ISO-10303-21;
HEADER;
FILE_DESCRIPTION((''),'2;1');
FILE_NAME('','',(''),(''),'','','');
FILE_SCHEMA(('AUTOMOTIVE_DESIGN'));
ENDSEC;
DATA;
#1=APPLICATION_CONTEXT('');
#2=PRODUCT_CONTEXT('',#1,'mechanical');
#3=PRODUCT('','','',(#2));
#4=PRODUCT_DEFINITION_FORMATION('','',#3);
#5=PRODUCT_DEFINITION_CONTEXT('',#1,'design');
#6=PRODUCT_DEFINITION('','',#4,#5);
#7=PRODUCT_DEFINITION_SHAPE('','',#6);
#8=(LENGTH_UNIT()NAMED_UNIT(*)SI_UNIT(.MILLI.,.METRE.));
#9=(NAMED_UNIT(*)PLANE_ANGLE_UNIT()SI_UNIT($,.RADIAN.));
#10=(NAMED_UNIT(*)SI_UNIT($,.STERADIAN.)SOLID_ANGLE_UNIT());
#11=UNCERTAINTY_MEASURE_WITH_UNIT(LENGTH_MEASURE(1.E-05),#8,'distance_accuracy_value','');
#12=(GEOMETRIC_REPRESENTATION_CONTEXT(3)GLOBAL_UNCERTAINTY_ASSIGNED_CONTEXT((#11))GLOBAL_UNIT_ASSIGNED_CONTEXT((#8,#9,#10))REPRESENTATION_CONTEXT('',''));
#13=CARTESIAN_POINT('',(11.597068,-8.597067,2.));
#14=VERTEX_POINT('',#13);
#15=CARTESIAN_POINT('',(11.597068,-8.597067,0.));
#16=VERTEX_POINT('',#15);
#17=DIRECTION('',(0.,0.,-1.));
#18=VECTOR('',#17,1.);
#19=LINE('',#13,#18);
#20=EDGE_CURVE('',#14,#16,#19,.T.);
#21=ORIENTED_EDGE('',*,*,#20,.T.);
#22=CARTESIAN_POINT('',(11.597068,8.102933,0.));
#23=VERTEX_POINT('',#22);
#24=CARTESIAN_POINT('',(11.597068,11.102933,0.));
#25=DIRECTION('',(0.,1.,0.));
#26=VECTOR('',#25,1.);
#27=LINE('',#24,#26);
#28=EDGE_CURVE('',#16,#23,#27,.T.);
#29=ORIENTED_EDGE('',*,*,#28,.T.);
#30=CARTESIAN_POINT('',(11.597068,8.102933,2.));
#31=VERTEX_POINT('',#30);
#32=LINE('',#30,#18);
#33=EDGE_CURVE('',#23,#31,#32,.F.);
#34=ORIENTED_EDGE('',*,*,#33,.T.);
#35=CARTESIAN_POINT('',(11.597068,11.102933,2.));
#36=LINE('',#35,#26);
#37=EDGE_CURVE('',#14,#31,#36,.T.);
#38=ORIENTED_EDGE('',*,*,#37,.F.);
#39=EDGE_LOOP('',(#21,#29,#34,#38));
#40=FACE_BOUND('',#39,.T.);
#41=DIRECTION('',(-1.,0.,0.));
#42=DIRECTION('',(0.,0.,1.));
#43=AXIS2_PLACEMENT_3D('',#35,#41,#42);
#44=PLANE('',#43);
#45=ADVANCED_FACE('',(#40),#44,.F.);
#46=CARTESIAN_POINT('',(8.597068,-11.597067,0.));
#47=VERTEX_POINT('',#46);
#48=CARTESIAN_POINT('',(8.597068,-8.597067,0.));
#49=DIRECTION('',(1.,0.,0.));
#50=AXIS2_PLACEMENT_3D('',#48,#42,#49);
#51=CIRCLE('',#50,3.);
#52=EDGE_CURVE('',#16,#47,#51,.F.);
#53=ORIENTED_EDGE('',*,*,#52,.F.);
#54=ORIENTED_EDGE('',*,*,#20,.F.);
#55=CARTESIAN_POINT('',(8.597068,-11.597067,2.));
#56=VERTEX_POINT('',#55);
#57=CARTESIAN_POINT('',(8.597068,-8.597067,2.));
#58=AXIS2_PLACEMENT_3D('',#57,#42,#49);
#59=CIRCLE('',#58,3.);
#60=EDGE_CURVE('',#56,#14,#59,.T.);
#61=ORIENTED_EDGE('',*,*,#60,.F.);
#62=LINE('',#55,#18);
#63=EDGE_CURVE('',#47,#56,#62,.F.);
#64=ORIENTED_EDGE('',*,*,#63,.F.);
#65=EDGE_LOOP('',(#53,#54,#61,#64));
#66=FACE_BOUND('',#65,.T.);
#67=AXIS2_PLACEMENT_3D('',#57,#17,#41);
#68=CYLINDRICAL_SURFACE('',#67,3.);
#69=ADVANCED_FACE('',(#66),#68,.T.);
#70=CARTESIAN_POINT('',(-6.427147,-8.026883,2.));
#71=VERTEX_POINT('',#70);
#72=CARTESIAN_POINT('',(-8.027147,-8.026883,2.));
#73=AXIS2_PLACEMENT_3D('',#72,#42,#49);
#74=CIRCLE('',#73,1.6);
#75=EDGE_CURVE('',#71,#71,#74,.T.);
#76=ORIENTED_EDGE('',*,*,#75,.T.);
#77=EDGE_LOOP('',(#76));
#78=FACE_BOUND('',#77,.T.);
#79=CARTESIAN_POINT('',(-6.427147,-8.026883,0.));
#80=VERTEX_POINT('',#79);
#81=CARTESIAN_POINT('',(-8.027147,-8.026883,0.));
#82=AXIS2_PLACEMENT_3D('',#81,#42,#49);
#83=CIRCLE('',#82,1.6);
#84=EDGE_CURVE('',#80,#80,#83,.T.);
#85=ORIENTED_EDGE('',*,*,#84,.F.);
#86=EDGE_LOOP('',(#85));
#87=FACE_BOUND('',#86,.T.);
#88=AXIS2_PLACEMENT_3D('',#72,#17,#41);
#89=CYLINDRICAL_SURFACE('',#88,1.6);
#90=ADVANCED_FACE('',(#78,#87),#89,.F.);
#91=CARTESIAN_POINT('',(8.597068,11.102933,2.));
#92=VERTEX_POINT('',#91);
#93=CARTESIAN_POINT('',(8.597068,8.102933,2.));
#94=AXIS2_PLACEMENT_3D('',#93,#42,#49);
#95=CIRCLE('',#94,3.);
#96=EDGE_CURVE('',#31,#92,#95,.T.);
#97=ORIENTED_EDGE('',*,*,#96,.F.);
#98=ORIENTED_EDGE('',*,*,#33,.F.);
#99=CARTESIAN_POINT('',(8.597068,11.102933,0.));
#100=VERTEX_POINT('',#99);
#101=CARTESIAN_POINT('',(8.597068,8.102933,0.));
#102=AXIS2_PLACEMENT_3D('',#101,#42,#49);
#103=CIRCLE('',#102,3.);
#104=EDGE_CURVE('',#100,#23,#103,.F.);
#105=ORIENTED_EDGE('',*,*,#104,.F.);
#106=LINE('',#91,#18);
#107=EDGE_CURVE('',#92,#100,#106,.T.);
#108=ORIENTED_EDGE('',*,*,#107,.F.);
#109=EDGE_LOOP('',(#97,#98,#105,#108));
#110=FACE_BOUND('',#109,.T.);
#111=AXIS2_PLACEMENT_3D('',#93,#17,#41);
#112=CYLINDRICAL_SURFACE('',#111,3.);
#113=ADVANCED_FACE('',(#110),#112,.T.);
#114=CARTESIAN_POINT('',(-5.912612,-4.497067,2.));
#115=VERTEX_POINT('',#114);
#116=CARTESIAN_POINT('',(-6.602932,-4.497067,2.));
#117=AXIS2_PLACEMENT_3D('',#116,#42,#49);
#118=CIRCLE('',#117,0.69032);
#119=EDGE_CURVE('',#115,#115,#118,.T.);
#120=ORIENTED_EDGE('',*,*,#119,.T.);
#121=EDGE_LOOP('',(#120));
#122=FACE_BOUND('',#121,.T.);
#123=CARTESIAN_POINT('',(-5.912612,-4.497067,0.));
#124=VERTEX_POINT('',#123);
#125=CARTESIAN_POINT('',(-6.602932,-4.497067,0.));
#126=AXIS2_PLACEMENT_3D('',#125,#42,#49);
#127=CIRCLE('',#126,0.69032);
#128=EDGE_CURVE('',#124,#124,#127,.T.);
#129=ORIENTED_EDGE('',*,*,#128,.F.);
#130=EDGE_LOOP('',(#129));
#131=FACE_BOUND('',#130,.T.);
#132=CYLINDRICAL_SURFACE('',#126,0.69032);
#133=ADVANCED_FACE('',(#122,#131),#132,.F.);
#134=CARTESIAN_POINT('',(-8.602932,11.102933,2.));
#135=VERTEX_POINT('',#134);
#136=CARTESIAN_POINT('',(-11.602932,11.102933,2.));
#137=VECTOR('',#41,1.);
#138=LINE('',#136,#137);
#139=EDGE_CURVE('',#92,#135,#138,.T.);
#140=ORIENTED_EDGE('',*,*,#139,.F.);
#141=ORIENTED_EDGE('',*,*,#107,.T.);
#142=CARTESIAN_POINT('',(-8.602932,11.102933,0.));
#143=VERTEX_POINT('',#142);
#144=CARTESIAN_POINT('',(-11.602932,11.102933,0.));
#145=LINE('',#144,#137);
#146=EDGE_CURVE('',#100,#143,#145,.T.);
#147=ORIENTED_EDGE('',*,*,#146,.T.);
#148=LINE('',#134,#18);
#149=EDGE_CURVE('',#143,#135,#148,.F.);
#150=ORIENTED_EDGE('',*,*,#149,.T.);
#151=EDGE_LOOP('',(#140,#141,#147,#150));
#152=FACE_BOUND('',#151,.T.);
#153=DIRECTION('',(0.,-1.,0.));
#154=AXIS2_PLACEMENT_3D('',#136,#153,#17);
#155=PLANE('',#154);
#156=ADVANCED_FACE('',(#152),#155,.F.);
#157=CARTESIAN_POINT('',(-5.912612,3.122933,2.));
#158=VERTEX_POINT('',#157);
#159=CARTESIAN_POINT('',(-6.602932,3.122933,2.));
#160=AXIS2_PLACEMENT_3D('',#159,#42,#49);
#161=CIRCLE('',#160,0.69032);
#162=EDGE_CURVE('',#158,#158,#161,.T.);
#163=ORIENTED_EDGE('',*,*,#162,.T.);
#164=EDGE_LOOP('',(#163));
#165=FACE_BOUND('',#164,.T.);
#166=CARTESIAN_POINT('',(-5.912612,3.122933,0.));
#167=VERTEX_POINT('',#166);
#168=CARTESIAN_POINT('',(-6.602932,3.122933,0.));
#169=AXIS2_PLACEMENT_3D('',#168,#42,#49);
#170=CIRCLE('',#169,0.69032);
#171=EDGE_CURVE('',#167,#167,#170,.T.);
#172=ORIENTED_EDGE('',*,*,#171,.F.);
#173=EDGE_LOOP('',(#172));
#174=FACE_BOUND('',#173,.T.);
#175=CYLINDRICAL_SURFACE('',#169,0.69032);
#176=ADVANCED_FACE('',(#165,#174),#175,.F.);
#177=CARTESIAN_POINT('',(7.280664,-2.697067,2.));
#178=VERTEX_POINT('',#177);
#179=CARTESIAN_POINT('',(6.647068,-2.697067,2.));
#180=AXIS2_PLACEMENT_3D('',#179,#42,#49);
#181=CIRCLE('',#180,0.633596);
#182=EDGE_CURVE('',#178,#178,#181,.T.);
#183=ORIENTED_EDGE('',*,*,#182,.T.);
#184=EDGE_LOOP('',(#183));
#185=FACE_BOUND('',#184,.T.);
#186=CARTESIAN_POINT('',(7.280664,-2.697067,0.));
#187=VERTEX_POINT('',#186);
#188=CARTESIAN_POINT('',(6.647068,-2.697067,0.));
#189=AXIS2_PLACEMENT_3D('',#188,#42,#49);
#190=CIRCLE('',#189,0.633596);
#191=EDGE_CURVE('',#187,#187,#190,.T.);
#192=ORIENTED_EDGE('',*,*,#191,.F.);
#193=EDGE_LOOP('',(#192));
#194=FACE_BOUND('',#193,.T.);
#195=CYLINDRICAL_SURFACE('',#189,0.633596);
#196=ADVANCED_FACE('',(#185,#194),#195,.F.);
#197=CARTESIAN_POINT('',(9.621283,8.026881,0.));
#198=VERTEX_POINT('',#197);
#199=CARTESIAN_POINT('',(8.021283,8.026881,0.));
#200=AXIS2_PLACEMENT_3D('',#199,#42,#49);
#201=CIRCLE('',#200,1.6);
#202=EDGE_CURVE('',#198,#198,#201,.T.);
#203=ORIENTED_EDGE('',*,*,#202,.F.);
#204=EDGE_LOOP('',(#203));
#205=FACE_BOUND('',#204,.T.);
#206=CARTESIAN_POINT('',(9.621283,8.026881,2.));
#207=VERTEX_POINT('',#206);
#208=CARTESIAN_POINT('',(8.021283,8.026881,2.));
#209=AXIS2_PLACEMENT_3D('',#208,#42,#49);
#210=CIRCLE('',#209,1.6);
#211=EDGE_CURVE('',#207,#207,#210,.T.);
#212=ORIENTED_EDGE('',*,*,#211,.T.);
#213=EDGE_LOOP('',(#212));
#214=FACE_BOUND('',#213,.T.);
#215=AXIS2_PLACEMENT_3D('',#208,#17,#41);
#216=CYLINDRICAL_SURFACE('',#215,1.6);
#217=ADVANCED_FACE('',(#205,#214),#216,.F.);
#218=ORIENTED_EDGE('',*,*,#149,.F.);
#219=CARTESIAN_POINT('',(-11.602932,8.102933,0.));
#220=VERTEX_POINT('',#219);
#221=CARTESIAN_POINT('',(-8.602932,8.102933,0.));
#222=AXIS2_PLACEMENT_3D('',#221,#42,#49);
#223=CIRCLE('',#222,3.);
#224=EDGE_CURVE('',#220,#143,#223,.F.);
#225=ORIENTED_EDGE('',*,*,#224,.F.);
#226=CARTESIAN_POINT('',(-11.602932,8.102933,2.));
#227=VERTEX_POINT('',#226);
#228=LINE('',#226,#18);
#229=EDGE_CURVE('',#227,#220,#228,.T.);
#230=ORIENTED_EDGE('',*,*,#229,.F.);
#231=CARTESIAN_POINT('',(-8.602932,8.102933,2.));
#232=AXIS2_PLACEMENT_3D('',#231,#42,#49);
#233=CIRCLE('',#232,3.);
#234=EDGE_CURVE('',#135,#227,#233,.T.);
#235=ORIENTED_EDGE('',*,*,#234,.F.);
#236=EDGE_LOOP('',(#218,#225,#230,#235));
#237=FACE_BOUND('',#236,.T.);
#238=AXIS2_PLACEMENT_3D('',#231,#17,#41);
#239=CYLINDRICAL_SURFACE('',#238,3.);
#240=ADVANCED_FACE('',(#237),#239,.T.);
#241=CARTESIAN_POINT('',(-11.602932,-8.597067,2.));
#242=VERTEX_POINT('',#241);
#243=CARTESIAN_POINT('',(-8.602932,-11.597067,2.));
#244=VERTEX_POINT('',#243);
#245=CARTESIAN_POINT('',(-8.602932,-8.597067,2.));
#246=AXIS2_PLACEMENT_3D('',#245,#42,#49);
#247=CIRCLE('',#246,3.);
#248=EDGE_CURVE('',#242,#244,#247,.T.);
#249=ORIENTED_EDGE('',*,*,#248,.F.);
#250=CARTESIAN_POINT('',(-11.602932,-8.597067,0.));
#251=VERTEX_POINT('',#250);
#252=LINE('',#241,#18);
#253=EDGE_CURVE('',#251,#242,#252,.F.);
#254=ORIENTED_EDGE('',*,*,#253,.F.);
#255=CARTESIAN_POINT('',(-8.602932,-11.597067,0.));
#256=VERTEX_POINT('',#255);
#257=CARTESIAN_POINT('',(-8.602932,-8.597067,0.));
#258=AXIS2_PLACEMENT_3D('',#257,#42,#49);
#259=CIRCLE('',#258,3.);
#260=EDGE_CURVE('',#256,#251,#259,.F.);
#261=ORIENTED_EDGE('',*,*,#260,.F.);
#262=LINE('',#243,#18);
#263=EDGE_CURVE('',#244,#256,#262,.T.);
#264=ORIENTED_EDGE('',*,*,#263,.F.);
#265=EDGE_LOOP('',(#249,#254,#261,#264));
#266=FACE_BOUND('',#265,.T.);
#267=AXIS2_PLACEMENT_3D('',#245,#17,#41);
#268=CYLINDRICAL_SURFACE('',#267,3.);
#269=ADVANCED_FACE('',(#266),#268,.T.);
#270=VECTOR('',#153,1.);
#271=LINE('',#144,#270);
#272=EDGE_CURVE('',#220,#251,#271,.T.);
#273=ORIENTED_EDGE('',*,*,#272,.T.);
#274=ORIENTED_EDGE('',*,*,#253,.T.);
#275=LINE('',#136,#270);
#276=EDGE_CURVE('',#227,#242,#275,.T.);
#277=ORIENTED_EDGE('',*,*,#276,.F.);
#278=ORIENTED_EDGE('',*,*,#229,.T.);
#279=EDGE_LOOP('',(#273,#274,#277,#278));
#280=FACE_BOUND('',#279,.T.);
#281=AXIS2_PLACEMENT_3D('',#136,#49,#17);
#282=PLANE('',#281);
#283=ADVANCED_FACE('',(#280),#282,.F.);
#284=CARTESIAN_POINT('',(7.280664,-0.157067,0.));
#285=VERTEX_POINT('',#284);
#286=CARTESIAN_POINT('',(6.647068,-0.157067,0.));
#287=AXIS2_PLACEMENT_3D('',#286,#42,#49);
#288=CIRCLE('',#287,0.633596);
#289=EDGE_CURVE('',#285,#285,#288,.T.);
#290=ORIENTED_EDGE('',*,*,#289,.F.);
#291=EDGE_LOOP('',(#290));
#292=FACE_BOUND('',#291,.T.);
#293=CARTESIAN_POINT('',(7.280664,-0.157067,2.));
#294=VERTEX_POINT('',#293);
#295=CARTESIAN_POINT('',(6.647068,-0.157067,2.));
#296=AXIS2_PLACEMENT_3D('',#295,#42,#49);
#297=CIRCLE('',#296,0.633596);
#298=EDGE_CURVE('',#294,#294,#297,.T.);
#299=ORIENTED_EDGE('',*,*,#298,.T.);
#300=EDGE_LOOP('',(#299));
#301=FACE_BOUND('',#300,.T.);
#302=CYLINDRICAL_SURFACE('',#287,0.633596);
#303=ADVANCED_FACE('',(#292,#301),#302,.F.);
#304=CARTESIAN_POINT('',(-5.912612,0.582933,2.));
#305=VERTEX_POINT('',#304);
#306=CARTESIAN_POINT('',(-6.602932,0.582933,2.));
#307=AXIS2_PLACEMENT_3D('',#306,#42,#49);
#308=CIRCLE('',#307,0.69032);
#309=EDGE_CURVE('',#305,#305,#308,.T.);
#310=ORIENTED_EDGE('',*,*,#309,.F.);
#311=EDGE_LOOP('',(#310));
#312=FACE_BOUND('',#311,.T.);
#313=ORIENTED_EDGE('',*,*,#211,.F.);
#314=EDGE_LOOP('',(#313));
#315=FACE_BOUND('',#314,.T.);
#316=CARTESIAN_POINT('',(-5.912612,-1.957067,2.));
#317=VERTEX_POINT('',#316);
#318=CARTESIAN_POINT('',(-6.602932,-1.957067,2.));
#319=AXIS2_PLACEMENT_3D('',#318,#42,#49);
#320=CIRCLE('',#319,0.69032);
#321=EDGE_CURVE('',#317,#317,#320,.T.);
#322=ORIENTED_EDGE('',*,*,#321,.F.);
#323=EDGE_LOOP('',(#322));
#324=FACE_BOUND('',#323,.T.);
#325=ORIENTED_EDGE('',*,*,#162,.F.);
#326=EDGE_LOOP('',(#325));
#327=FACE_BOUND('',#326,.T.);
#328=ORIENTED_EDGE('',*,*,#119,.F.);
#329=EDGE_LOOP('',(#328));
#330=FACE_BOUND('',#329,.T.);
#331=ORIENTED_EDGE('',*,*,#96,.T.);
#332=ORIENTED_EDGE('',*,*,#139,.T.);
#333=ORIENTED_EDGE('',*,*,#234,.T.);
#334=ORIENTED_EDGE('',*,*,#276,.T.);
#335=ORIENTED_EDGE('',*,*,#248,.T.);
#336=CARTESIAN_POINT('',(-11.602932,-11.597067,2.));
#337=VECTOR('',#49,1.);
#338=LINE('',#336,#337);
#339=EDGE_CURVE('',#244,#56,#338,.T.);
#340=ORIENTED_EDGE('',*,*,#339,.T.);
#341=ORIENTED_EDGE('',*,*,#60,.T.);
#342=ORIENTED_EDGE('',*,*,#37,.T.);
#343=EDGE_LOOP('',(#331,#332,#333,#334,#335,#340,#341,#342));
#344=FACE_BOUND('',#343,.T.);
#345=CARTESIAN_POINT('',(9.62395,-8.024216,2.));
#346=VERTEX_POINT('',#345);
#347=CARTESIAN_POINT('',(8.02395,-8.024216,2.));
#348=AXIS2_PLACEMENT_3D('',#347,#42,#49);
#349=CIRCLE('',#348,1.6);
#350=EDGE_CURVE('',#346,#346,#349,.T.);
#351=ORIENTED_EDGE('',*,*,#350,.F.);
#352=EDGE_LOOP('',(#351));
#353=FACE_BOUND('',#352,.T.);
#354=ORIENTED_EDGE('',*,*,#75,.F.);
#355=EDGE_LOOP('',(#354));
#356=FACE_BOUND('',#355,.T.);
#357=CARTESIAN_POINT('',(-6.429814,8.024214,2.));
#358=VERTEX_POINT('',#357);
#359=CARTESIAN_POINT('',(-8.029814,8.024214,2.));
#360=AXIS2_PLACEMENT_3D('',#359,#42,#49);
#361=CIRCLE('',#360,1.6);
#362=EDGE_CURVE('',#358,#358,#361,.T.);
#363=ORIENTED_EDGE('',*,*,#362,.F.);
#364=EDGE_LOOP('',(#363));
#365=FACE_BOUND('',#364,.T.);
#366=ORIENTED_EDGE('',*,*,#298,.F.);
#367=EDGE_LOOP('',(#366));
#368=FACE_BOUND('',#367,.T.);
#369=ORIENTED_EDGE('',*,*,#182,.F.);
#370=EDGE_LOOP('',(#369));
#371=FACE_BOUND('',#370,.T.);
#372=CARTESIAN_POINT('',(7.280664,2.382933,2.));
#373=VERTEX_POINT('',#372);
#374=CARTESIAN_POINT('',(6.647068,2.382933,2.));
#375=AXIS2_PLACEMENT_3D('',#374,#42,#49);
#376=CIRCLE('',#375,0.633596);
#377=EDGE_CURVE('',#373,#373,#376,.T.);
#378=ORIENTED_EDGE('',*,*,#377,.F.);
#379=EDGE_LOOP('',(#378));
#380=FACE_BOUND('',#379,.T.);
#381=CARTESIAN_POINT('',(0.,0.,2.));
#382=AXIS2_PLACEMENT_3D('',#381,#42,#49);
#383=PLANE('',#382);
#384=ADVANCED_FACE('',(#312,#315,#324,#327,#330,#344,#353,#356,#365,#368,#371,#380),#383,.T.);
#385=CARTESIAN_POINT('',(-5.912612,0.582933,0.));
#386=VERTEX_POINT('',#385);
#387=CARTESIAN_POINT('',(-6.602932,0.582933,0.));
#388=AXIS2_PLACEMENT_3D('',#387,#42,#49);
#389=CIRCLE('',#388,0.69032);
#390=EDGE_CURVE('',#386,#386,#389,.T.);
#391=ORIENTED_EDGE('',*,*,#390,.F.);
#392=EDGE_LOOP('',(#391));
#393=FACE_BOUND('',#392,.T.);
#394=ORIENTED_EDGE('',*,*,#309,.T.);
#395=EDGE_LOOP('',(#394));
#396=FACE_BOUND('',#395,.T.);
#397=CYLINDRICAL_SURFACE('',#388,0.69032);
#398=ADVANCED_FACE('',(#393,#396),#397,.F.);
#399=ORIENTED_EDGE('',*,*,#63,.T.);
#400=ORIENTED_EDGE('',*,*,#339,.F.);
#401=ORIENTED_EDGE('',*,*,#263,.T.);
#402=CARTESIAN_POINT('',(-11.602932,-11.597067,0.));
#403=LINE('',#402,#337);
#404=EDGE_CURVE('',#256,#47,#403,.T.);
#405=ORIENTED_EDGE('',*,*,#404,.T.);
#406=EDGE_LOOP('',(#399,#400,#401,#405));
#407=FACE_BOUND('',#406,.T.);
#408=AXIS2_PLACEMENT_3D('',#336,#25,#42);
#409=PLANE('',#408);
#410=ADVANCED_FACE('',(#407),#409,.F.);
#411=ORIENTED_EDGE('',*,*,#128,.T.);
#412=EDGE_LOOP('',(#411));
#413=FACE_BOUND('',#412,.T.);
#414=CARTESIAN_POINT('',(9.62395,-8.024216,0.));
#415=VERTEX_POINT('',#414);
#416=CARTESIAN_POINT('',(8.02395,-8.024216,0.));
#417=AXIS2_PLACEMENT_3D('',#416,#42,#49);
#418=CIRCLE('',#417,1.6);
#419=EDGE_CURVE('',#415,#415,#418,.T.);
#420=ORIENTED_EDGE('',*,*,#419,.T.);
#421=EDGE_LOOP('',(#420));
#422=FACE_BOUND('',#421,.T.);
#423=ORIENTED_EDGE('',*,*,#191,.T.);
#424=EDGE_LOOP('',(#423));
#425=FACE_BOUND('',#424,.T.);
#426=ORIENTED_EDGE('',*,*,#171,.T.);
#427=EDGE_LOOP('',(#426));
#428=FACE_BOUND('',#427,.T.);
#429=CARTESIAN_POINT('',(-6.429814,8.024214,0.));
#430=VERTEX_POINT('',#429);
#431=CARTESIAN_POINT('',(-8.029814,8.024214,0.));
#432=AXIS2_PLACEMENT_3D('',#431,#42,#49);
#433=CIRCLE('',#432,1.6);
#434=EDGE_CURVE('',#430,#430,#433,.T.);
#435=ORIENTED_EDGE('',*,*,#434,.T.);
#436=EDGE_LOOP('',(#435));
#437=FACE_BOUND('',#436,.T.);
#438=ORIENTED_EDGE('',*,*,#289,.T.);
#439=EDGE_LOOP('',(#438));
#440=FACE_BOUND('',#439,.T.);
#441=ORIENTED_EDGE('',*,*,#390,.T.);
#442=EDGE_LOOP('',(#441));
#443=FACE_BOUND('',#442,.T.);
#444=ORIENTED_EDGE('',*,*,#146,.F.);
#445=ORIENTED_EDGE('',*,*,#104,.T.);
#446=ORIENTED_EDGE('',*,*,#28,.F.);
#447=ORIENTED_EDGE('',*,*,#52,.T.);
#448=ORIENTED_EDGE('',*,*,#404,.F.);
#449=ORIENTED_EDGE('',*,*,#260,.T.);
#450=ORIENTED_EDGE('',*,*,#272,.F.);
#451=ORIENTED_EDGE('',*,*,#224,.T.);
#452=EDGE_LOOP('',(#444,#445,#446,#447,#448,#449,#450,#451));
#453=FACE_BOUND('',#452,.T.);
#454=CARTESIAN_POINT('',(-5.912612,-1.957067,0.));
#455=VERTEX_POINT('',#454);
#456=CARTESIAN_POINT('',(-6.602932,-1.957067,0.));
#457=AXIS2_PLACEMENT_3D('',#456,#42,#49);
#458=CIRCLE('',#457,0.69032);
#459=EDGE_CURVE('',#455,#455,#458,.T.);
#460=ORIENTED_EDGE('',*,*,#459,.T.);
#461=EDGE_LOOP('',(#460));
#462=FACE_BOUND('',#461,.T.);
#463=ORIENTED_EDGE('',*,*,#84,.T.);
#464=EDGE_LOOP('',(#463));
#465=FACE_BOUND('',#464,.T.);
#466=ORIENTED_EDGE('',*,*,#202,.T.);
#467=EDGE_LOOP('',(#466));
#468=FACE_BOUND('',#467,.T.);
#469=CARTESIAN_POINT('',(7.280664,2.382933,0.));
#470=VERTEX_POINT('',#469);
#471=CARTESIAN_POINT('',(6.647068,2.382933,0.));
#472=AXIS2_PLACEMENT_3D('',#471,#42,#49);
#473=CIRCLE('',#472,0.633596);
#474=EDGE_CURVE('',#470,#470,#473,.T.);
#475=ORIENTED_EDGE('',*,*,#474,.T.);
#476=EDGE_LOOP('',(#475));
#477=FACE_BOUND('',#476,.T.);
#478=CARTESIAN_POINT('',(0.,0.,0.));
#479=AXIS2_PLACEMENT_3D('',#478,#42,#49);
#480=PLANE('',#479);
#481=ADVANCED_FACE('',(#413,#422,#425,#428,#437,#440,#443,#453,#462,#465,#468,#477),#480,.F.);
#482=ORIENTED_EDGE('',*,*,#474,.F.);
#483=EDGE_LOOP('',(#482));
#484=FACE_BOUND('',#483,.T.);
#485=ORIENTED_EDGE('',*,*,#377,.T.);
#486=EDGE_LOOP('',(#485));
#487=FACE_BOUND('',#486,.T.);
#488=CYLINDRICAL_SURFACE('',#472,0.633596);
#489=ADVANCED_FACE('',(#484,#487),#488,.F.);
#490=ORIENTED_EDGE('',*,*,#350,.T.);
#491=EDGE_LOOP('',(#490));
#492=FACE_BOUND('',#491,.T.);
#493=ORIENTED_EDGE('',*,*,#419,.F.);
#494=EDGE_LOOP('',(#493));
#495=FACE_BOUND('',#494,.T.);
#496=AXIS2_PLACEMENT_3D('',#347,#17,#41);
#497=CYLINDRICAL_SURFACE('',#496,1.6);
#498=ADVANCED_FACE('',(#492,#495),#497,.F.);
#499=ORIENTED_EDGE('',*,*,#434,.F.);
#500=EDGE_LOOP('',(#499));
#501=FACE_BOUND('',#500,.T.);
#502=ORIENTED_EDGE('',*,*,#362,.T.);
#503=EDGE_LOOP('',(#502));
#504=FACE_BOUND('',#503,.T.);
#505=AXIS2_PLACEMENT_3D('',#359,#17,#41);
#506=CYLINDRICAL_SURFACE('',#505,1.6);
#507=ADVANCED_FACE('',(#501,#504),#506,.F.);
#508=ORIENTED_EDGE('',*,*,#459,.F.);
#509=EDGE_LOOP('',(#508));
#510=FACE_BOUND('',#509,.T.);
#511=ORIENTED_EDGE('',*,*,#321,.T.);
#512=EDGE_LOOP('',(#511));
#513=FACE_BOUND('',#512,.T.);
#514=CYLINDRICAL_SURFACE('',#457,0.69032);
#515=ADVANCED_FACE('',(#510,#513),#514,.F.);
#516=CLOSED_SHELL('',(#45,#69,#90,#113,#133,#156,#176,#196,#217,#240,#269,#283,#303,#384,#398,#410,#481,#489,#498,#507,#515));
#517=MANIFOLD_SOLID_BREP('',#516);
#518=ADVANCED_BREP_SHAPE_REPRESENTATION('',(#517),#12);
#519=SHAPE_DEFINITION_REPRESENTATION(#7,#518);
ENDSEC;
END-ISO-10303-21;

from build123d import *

# Parameters (mm, degrees)
SKETCH1_W           = 23.2
SKETCH1_H           = 22.7
SKETCH1_R           = 1.6
BOSS_EXTRUDE1_DEPTH = 2
FILLET1_R           = 3
SKETCH2_R           = 0.633596253
SKETCH2_R_2         = 0.690319611
CUT_EXTRUDE1_DEPTH  = 17.526342483


with BuildPart() as part:
    # Sketch1 → Boss-Extrude1 (new body)
    with BuildSketch(Plane.XY):
        with Locations((-0.002931945, -0.247067135)):
            Rectangle(SKETCH1_W, SKETCH1_H)
        with Locations((-8.029814258, 8.024213837)):
            Circle(SKETCH1_R, mode=Mode.SUBTRACT)
        with Locations((8.021282811, 8.026881394)):
            Circle(SKETCH1_R, mode=Mode.SUBTRACT)
        with Locations((8.023950367, -8.024215675)):
            Circle(SKETCH1_R, mode=Mode.SUBTRACT)
        with Locations((-8.027146702, -8.026883232)):
            Circle(SKETCH1_R, mode=Mode.SUBTRACT)
    extrude(amount=BOSS_EXTRUDE1_DEPTH)

    # Fillet1
    fillet1_edges = [part.edges().sort_by_distance(p)[0] for p in [
        (11.597068055, -11.597067135, 1),
        (-11.602931945, -11.597067135, 1),
        (-11.602931945, 11.102932865, 1),
        (11.597068055, 11.102932865, 1),
    ]]
    fillet(fillet1_edges, radius=FILLET1_R)

    # Sketch2 → Cut-Extrude1 (cut, through all)
    with BuildSketch(Plane.XY.offset(2)):
        with Locations((6.647068055, -2.697067135)):
            Circle(SKETCH2_R)
        with Locations((6.647068055, -0.157067135)):
            Circle(SKETCH2_R)
        with Locations((6.647068055, 2.382932865)):
            Circle(SKETCH2_R)
        with Locations((-6.602931945, -4.497067135)):
            Circle(SKETCH2_R_2)
        with Locations((-6.602931945, -1.957067135)):
            Circle(SKETCH2_R_2)
        with Locations((-6.602931945, 0.582932865)):
            Circle(SKETCH2_R_2)
        with Locations((-6.602931945, 3.122932865)):
            Circle(SKETCH2_R_2)
    extrude(amount=-CUT_EXTRUDE1_DEPTH, mode=Mode.SUBTRACT)


solid = part.part
